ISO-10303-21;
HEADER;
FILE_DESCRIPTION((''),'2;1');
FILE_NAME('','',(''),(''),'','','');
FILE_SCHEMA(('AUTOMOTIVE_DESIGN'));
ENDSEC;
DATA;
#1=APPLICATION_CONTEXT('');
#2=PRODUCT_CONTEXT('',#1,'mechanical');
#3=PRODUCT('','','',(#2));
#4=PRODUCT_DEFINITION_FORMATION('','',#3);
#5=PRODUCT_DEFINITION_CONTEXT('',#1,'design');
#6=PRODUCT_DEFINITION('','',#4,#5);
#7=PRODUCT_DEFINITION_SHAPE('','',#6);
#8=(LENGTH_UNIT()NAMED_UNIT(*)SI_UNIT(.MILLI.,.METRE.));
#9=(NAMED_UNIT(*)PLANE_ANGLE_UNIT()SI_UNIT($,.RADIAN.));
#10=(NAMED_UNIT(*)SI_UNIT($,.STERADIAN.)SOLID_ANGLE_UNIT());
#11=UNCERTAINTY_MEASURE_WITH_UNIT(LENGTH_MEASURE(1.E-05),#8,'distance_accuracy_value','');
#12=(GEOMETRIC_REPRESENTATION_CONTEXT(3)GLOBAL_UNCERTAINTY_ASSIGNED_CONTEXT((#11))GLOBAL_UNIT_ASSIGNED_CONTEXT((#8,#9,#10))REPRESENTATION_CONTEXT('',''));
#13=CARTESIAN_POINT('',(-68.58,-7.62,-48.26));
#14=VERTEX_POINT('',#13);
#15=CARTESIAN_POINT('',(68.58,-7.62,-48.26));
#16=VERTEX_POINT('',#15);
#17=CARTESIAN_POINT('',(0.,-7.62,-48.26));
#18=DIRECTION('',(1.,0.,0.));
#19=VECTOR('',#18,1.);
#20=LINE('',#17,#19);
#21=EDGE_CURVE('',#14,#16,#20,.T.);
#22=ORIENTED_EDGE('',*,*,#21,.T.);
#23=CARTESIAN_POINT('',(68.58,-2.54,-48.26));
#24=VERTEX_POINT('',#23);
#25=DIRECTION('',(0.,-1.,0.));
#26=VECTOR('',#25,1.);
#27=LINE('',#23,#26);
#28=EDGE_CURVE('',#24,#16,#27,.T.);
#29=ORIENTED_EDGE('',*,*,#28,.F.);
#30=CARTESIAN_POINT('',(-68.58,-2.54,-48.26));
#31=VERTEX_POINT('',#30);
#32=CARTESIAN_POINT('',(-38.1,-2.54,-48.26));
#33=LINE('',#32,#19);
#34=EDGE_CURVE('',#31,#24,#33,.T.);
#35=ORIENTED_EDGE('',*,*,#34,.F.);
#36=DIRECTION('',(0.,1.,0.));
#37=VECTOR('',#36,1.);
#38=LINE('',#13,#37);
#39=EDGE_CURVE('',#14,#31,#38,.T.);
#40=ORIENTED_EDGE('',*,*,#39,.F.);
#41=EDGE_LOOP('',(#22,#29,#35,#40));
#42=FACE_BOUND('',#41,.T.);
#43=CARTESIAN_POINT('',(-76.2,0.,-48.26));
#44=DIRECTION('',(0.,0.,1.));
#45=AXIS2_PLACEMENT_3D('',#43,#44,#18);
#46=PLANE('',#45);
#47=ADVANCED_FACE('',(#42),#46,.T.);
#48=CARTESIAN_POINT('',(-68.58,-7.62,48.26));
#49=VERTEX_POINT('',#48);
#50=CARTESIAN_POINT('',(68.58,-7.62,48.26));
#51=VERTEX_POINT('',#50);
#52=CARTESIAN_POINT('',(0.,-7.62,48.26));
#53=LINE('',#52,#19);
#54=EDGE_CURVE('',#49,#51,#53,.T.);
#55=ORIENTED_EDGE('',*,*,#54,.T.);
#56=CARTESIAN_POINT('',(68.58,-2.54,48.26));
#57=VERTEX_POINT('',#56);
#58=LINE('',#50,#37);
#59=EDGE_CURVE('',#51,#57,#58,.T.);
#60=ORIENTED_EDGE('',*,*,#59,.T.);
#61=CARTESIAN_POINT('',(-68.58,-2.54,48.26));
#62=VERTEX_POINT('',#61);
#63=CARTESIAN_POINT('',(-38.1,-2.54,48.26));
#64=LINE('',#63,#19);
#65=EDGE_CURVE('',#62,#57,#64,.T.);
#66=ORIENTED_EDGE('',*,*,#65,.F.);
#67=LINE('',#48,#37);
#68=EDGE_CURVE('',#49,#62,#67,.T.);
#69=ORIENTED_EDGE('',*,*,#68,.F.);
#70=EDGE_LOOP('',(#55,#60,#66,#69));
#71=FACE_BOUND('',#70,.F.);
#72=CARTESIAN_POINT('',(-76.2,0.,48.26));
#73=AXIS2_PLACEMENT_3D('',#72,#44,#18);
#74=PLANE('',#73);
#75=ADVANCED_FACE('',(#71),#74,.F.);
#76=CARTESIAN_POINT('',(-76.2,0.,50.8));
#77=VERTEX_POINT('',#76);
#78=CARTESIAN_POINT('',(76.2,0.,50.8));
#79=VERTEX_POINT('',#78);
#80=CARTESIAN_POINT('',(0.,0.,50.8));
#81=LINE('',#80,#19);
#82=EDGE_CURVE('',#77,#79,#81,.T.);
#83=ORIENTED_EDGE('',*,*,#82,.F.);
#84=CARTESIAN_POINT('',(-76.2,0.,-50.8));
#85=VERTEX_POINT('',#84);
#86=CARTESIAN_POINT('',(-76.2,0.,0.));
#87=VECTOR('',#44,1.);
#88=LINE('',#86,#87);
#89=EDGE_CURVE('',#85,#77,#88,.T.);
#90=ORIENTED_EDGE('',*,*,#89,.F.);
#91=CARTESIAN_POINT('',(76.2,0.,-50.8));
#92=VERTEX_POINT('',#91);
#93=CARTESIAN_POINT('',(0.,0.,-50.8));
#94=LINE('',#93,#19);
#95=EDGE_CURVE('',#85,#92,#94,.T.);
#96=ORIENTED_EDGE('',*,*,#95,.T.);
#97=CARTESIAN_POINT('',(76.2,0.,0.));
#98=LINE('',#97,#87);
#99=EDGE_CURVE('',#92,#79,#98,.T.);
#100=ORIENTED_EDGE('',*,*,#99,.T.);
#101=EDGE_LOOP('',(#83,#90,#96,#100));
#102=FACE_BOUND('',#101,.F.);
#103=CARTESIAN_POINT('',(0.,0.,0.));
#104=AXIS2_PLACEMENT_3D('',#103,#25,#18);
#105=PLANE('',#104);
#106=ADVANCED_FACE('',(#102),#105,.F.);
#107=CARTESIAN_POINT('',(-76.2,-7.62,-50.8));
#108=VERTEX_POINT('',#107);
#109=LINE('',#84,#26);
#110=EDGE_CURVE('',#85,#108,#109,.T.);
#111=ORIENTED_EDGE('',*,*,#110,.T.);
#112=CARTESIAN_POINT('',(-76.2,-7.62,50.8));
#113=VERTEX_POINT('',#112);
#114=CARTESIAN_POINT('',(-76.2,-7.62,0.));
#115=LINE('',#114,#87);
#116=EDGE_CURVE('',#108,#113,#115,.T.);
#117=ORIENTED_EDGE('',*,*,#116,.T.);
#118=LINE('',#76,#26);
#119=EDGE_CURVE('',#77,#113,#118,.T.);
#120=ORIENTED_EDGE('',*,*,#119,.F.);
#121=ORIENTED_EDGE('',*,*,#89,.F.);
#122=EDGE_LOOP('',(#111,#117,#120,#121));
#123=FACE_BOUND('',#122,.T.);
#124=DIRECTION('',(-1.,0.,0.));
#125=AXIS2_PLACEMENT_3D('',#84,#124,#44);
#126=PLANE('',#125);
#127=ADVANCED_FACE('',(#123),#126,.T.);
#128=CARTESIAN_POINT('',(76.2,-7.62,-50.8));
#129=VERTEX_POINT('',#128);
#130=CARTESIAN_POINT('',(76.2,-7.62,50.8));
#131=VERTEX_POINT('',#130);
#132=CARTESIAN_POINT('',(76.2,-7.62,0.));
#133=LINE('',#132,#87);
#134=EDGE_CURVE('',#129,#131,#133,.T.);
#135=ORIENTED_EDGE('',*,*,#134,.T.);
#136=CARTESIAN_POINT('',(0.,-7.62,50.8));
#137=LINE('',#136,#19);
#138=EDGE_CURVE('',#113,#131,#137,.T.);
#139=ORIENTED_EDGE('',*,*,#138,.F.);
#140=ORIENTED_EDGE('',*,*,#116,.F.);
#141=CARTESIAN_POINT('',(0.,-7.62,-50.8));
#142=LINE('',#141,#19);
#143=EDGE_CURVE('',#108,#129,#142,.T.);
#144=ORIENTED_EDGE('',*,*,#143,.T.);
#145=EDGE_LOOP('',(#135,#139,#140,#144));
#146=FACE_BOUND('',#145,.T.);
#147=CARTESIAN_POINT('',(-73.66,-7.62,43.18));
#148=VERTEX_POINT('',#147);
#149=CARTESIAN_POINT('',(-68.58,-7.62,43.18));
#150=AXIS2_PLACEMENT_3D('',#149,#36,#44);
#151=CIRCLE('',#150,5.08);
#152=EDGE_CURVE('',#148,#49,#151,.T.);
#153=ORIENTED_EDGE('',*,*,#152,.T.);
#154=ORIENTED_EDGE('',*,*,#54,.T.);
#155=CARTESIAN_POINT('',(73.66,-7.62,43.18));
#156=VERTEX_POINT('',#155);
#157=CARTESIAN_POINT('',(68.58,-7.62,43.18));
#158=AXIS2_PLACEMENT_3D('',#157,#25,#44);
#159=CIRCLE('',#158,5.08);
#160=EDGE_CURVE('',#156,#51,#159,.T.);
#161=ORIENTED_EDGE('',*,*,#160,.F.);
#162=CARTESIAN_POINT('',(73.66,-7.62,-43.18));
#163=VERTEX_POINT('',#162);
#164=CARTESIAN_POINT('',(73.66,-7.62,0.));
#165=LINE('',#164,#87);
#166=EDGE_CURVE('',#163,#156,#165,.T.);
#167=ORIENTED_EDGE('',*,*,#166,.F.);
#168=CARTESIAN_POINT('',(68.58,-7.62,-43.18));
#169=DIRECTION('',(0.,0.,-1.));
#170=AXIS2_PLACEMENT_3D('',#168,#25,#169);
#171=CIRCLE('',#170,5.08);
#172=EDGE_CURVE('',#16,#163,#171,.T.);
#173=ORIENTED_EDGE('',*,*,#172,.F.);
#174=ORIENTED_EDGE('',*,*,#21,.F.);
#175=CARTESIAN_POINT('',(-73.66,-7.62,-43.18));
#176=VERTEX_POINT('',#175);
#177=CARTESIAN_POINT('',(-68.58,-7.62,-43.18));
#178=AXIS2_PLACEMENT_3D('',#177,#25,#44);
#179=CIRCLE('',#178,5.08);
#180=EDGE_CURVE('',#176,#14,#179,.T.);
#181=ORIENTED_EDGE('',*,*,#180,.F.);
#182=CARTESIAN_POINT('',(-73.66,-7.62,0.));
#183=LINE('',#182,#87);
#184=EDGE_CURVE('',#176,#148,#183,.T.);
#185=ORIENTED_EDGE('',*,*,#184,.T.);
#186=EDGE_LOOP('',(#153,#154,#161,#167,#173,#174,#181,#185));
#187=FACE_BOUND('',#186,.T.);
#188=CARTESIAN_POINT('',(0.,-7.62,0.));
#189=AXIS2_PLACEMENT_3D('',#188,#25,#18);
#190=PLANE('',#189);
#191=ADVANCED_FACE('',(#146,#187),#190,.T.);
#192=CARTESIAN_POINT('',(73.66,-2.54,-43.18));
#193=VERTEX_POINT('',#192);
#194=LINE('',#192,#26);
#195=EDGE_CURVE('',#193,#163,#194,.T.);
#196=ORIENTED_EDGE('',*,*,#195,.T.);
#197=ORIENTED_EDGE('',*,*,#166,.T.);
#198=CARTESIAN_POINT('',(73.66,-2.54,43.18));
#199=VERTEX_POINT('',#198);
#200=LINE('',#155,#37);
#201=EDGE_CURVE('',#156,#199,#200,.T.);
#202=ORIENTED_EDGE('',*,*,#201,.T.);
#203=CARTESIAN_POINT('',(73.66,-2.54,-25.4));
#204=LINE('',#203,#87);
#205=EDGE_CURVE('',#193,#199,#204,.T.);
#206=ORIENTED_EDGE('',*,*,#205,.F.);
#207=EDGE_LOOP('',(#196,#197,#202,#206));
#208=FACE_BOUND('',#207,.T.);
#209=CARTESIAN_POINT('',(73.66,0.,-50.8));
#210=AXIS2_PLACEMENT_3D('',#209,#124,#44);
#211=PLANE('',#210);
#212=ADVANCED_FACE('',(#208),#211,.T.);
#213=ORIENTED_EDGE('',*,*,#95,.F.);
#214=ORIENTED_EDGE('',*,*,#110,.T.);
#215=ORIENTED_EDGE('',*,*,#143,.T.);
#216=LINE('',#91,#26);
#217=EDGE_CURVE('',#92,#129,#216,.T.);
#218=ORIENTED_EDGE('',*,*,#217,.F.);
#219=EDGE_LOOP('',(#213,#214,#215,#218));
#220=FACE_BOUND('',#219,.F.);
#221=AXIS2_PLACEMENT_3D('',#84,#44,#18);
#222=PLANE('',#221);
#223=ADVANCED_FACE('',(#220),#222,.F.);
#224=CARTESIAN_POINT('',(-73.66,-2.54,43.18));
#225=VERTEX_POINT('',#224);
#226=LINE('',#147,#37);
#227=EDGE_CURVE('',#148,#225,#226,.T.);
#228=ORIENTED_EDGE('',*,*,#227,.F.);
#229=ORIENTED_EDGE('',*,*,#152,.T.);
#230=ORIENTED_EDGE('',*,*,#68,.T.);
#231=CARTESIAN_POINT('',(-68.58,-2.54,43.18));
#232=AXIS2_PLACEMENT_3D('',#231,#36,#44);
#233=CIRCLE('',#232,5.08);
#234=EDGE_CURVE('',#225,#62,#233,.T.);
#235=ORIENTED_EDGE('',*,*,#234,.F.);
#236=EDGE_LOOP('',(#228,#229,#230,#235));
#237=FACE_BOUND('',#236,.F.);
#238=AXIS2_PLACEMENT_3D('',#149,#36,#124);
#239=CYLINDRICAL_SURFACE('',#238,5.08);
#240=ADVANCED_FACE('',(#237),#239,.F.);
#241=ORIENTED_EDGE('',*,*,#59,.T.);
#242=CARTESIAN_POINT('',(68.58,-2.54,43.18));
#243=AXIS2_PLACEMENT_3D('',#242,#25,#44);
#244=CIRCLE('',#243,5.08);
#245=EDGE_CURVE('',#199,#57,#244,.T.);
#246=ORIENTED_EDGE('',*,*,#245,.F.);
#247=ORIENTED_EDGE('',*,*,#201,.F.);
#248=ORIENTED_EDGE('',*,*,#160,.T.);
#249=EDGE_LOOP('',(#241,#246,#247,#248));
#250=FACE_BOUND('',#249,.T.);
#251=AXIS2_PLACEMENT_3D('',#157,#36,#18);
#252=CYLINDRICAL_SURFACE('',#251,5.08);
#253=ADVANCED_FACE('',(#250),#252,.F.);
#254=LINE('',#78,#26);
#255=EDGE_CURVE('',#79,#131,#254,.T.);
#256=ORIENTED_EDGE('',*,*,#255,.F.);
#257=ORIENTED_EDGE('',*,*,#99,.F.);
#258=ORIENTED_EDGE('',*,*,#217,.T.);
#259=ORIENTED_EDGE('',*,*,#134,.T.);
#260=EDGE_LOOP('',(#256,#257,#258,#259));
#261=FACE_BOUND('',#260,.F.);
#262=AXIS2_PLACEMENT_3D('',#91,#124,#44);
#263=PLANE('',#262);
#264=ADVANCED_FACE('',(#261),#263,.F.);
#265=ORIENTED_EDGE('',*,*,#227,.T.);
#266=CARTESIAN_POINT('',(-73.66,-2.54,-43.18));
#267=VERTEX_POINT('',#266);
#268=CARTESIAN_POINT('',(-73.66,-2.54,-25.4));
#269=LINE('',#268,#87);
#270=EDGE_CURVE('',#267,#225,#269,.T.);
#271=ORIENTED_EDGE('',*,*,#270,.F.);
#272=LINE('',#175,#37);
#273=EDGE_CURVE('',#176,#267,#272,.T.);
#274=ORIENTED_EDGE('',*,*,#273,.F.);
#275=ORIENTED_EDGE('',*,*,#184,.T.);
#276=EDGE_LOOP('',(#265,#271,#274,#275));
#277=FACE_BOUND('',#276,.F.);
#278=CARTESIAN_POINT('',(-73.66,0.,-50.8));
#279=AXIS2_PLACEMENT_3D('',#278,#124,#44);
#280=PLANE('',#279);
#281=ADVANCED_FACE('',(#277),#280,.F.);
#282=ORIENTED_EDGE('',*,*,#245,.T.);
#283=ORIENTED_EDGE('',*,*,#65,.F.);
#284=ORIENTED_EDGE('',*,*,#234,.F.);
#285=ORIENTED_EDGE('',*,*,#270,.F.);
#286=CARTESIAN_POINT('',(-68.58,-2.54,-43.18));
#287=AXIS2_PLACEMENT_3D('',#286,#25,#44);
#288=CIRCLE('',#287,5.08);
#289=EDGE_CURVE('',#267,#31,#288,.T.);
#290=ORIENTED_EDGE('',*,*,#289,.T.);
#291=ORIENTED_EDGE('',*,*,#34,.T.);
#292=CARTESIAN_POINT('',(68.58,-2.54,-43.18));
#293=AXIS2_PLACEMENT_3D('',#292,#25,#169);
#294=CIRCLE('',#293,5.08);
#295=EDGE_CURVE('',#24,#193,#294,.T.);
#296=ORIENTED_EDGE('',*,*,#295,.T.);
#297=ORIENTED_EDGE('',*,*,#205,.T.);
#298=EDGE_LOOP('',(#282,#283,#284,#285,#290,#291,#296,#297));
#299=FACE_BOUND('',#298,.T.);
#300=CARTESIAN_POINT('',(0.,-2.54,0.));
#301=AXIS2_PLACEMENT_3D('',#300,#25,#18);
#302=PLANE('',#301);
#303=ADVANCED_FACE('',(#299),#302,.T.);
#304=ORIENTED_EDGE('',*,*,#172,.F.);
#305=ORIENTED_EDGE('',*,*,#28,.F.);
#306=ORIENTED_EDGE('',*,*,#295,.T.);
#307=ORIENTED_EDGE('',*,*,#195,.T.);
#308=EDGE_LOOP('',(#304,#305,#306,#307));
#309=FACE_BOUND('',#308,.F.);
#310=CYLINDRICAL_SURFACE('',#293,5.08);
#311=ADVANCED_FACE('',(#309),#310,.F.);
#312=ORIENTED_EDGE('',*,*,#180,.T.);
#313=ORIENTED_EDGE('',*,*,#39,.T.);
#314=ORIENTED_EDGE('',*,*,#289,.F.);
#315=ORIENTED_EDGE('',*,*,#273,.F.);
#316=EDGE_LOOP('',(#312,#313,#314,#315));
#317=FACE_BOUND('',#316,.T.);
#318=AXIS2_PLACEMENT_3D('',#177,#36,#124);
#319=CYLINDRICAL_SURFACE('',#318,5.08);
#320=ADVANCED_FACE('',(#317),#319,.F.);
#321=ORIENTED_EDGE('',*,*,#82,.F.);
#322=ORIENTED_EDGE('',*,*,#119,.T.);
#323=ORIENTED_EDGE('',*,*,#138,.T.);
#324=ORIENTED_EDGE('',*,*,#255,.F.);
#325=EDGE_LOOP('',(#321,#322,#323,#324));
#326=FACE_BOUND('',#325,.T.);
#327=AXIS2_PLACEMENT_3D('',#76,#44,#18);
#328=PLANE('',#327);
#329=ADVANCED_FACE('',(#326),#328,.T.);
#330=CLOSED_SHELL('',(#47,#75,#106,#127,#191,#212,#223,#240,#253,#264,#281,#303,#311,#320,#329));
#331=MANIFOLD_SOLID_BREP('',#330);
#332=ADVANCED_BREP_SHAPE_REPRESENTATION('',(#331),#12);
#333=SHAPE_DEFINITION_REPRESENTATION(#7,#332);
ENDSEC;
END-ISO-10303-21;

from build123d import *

# Parameters (mm, degrees)
F0_W     = 152.4
F0_H     = 101.6
F1_DEPTH = 7.62
F2_T     = -2.54
F3_R     = 5.08


with BuildPart() as f1:
    # F0 (on Front) → F1 (new body)
    with BuildSketch(Plane.XZ):
        Rectangle(F0_W, F0_H)
    extrude(amount=F1_DEPTH)

    # F2
    f2_openings = [f1.faces().sort_by_distance(p)[0] for p in [
        (0, -7.62, 0),
    ]]
    offset(amount=F2_T, openings=f2_openings)

    # F3
    f3_edges = [f1.edges().sort_by_distance(p)[0] for p in [
        (-73.66, -5.08, 48.26),
        (-73.66, -5.08, -48.26),
        (73.66, -5.08, 48.26),
        (73.66, -5.08, -48.26),
    ]]
    fillet(f3_edges, radius=F3_R)


solid = f1.part
